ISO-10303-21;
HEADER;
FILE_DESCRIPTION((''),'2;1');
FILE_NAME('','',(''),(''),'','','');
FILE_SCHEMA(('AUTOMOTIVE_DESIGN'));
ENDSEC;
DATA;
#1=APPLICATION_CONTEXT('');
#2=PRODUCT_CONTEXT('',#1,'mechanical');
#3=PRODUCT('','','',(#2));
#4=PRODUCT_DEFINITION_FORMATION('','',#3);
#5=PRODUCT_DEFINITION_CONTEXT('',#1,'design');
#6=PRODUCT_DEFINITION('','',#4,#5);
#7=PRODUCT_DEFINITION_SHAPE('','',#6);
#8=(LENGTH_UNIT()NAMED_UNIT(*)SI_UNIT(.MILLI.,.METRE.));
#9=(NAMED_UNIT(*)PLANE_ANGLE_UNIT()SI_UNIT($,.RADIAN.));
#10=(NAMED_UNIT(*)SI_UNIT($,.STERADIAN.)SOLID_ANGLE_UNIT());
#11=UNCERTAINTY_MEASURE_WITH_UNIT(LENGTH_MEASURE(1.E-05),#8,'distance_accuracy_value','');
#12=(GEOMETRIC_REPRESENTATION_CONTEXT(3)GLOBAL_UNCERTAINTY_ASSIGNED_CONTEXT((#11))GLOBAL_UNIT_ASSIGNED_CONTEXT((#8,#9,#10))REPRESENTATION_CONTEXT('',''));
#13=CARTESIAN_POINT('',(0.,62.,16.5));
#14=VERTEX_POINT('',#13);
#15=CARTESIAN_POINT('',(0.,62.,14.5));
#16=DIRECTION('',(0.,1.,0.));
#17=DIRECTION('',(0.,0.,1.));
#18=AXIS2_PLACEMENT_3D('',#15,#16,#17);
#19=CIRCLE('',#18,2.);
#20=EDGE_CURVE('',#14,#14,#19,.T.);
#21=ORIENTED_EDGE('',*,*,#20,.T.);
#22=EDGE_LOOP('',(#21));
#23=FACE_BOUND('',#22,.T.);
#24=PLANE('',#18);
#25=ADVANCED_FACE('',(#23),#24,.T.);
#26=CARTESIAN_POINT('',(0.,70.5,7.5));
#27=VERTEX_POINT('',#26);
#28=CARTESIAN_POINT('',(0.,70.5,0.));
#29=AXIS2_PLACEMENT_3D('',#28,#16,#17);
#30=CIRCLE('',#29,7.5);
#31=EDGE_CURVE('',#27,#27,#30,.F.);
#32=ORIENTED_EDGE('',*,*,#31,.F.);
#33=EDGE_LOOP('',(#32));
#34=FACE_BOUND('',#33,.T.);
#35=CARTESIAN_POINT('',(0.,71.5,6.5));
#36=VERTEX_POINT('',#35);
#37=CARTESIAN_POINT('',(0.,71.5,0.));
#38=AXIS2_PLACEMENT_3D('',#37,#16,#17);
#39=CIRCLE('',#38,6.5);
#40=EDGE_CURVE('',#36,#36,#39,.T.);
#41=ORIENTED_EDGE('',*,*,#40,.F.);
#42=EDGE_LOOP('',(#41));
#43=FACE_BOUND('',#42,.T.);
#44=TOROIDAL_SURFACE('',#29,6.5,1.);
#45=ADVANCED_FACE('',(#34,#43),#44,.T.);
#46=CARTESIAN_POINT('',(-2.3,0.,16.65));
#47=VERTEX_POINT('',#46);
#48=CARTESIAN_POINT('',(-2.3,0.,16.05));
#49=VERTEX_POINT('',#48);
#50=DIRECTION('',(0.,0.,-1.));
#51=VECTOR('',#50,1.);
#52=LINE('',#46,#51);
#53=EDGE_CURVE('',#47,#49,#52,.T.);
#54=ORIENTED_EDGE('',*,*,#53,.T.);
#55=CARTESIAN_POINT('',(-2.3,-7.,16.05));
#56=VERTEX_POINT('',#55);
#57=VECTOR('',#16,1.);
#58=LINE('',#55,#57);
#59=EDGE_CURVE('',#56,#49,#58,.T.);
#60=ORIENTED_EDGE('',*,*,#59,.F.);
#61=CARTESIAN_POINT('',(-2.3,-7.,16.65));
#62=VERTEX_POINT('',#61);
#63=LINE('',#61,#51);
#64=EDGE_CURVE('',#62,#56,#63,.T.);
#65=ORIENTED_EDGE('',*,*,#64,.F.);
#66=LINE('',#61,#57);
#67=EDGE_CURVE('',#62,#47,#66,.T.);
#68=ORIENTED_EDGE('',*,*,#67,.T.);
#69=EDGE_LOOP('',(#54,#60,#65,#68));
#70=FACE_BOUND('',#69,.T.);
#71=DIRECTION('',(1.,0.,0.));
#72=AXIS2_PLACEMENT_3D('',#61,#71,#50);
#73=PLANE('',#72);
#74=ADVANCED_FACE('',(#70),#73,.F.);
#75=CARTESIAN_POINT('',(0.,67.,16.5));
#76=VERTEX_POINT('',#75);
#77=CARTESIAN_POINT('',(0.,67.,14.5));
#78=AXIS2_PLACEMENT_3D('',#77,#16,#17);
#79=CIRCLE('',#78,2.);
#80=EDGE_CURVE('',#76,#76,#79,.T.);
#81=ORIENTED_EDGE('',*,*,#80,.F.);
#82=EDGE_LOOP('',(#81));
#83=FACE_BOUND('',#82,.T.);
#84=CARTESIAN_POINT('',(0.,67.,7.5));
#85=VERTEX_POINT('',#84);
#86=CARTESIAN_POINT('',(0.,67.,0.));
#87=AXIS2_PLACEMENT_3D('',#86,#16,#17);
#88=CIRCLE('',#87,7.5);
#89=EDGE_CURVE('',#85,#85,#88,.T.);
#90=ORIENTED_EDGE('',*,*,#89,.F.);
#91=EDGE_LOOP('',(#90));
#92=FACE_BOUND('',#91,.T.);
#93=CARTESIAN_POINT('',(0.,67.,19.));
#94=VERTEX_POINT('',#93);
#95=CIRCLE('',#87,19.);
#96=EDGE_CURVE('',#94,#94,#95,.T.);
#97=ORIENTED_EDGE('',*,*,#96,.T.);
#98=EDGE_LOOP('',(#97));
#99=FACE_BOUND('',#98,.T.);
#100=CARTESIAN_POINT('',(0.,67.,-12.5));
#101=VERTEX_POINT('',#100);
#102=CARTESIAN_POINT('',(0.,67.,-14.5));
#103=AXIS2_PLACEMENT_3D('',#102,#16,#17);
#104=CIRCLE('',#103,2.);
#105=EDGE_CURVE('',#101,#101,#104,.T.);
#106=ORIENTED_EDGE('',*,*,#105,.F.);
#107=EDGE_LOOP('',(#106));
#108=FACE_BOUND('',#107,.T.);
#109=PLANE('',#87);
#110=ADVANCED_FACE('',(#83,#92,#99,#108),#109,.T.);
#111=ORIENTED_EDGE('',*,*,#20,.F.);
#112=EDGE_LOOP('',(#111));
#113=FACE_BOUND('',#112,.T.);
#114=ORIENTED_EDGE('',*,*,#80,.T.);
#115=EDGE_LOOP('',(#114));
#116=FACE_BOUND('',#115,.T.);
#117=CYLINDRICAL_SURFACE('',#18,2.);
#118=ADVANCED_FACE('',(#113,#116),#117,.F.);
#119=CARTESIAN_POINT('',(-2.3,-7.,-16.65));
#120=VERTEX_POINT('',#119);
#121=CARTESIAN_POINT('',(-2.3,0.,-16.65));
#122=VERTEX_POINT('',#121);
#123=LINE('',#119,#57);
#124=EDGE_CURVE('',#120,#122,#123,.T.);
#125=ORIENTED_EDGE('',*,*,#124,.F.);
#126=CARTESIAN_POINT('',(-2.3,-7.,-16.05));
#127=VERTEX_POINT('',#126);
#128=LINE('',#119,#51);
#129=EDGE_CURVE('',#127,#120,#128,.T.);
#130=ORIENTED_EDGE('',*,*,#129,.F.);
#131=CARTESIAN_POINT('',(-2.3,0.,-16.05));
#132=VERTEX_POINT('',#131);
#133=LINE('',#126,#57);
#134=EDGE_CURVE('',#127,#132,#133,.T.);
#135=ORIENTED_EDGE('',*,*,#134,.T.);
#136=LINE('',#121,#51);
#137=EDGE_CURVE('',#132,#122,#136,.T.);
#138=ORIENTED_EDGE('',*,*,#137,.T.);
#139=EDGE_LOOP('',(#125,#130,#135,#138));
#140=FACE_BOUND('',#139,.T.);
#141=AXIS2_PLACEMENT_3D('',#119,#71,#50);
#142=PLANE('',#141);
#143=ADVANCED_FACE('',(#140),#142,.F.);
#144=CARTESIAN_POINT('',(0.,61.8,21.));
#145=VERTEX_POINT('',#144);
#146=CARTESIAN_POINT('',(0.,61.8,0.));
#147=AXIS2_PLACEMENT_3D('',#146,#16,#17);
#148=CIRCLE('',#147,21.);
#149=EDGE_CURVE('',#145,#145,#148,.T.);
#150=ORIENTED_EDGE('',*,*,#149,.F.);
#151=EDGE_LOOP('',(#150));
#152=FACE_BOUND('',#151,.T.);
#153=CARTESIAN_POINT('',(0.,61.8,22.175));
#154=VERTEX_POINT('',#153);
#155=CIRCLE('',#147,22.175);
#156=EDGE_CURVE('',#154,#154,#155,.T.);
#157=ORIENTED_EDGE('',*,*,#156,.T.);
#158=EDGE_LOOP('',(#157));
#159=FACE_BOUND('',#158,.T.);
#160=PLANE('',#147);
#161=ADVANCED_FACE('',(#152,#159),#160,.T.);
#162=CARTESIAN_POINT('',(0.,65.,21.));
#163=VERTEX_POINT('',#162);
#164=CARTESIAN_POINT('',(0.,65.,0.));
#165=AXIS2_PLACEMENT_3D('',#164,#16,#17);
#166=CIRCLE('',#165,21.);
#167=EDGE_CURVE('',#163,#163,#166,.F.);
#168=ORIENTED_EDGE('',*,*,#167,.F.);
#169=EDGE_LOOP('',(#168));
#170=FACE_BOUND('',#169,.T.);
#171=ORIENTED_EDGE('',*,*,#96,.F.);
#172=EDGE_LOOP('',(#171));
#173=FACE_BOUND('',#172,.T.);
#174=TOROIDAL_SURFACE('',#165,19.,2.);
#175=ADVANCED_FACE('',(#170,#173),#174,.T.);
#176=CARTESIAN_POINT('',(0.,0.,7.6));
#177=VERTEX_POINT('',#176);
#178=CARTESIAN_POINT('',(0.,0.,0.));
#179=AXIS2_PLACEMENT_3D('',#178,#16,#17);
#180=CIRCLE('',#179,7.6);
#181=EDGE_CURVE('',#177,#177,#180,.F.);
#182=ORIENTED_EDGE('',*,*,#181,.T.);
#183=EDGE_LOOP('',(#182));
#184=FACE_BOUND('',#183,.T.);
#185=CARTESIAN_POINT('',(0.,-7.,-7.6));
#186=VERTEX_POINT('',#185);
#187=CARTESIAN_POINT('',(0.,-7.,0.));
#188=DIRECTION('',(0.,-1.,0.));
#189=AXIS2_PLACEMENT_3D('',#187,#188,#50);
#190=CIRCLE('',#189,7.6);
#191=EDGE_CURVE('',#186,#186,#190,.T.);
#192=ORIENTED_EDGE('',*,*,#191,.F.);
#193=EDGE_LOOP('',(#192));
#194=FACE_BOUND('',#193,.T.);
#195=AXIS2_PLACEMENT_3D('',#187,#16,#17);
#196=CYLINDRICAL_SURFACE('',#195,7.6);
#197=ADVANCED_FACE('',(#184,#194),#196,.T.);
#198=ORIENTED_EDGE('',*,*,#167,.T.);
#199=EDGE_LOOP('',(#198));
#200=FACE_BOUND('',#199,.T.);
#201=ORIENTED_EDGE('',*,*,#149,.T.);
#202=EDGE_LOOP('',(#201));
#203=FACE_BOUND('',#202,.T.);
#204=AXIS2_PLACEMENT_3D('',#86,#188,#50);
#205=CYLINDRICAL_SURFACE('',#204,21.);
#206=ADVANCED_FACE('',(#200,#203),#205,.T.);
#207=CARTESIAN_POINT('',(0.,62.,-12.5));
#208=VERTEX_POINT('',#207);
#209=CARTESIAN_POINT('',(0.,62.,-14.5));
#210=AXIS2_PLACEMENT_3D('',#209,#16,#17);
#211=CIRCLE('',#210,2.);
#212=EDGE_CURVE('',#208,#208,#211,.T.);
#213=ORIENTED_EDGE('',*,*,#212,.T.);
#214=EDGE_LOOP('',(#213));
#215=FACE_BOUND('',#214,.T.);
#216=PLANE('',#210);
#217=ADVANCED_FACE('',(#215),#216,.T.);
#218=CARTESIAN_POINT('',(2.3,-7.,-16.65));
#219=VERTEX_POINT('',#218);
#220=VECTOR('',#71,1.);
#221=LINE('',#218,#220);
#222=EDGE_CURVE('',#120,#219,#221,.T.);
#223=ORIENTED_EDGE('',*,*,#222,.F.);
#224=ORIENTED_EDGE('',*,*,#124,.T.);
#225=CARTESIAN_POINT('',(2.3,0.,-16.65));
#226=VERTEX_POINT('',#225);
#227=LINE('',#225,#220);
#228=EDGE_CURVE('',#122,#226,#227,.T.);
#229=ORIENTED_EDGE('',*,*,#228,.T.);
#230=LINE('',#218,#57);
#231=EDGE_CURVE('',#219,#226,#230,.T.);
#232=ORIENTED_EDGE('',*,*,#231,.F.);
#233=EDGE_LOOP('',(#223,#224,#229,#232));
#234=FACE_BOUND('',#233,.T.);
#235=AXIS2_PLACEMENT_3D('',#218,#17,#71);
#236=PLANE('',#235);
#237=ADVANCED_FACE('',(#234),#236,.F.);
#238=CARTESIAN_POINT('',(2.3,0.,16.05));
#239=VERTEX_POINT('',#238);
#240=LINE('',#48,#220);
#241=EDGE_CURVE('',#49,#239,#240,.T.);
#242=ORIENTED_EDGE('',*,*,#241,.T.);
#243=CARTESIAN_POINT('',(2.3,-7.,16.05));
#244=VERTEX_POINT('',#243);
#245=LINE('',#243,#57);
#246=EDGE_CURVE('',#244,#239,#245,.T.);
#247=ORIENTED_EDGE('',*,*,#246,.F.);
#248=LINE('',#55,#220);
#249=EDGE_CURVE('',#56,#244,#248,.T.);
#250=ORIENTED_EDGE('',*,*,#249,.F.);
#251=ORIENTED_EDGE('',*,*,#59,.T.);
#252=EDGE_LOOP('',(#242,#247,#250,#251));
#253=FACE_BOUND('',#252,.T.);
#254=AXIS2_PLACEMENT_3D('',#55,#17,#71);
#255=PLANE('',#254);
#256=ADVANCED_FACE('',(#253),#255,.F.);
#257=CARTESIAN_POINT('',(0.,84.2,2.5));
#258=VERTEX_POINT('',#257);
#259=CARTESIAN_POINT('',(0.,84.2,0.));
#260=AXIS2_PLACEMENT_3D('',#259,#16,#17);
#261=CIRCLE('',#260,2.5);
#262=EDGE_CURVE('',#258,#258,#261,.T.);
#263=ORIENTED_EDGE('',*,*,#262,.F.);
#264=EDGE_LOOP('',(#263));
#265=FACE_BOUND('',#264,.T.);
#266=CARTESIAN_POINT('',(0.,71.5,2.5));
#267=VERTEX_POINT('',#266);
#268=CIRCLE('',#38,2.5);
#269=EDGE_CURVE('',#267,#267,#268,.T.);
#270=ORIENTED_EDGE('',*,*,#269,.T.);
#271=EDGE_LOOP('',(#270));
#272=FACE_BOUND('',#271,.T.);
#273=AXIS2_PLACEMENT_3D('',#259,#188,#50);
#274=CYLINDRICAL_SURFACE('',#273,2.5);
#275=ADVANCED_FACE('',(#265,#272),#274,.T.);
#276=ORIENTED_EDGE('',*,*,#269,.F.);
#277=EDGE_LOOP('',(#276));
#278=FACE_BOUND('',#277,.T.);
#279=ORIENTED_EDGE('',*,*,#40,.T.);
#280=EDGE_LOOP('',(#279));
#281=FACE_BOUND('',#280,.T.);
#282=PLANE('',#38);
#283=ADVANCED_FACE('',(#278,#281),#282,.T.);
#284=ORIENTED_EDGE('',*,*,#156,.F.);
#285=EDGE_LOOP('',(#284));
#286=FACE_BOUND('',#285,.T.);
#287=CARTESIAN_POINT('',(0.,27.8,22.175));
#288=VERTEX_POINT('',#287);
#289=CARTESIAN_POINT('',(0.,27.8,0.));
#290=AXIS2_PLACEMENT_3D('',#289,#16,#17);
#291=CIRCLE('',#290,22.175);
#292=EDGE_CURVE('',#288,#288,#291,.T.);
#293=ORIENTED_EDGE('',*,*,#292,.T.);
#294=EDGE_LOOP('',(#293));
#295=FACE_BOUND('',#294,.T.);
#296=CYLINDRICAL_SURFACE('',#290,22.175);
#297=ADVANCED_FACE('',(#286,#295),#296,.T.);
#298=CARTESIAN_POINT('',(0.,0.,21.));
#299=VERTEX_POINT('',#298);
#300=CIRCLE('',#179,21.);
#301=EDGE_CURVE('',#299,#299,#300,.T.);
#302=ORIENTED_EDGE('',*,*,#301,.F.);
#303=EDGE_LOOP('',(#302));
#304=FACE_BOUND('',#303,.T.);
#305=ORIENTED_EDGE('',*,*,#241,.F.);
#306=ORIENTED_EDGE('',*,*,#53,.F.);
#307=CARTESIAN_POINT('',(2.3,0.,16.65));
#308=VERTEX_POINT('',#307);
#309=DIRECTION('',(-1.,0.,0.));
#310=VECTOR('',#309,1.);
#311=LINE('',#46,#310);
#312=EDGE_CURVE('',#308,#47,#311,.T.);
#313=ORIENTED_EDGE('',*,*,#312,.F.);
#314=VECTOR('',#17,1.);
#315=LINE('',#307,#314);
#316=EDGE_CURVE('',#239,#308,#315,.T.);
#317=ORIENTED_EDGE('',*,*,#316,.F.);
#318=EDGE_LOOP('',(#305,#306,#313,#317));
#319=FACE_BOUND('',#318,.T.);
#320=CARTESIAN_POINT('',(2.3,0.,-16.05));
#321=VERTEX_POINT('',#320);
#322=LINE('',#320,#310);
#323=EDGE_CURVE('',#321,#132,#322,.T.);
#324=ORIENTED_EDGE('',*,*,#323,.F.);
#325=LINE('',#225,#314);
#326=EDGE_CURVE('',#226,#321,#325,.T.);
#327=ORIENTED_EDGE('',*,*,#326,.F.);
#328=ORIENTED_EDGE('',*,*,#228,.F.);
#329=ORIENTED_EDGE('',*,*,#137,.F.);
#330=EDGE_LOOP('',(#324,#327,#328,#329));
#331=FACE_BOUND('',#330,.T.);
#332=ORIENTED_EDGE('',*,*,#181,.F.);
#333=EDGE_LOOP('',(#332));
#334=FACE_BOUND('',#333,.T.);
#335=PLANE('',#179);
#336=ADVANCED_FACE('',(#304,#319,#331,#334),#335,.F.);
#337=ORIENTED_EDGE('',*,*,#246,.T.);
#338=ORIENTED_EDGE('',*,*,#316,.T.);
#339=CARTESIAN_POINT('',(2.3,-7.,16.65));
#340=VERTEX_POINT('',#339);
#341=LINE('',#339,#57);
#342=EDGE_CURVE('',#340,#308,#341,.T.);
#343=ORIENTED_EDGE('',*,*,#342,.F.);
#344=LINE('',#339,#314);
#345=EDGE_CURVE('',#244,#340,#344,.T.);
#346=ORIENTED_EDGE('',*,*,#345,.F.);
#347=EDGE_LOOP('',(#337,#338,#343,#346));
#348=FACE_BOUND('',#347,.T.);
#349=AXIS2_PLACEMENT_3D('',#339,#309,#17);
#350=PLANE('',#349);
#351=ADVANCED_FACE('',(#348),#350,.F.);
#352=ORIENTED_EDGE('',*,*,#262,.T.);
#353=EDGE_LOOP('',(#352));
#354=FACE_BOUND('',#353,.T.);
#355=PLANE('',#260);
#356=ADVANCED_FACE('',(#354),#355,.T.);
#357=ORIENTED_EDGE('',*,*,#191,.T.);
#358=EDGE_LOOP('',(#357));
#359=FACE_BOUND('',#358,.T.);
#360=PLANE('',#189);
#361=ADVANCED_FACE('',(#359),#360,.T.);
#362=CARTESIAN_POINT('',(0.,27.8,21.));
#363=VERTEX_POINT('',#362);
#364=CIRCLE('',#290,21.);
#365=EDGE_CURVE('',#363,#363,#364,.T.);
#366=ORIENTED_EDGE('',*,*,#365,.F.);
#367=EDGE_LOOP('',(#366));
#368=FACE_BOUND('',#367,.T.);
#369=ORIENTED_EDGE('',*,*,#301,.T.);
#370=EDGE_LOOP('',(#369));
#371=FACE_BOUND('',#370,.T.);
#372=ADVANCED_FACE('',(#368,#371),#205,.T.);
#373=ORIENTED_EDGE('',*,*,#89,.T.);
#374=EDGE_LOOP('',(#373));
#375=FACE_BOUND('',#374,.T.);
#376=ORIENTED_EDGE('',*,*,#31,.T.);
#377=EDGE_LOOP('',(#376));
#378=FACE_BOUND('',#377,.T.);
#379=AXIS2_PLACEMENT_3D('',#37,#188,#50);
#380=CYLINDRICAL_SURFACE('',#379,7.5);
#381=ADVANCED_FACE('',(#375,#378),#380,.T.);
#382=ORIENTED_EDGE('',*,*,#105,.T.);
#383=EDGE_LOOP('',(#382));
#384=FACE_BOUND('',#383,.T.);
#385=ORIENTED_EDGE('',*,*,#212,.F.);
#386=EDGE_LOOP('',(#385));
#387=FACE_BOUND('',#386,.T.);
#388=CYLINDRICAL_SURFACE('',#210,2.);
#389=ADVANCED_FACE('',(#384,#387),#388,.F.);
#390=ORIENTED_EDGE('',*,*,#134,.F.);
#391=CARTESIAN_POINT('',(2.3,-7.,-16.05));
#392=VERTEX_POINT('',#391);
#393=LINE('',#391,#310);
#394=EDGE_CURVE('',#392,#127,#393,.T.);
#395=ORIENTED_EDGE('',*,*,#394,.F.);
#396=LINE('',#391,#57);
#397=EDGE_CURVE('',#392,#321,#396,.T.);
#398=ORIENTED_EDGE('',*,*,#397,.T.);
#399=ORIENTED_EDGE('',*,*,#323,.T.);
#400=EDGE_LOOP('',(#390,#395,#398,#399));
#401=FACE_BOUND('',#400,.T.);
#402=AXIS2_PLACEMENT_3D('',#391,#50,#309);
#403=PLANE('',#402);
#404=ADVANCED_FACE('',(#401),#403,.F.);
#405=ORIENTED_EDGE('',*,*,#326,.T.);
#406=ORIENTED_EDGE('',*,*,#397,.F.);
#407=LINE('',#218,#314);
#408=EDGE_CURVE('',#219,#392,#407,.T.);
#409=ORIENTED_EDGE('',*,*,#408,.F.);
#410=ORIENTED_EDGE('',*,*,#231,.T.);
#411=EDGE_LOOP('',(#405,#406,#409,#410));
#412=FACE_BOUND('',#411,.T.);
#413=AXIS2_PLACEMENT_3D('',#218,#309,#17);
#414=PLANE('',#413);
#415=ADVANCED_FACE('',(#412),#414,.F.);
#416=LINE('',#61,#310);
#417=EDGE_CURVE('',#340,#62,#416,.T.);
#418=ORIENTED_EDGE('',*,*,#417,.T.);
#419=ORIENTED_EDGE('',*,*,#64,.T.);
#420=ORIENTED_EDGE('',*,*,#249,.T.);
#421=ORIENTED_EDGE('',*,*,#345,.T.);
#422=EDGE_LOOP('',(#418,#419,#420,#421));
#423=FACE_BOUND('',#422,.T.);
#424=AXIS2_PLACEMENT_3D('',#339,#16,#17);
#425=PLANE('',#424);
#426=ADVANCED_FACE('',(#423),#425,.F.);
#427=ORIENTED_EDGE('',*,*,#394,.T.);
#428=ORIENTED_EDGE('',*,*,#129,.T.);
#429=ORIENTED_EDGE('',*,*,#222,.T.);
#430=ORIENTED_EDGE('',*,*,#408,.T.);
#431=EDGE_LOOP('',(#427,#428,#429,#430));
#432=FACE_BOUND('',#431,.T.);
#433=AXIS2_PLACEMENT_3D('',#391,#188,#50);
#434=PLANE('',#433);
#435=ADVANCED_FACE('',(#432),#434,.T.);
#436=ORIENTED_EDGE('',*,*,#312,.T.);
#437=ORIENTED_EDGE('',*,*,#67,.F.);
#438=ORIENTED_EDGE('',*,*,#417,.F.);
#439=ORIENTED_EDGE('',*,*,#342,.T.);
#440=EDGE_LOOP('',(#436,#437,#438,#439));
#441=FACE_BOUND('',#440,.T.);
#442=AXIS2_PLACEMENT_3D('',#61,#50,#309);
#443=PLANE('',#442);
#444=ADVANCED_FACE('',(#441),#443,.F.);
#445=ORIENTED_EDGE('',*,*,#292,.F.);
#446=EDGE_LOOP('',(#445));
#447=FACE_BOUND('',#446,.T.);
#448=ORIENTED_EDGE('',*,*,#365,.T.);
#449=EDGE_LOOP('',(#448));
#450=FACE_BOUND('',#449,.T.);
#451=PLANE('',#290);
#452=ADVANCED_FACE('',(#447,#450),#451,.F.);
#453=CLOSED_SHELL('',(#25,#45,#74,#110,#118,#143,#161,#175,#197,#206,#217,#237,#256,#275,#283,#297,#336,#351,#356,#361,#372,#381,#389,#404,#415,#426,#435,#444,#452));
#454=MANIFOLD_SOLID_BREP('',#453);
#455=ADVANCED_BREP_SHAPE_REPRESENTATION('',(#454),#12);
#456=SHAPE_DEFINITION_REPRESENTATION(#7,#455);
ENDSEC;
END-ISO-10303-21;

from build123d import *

# Parameters (mm, degrees)
SKETCH_1_R          = 21
EXTRUDE_1_DEPTH     = 67
SKETCH_3_R          = 7.5
EXTRUDE_3_DEPTH     = 4.5
SKETCH_4_R          = 2.5
EXTRUDE_4_DEPTH     = 12.7
FILLET_1_R          = 2
FILLET_2_R          = 1
SKETCH_15_R         = 2
CUT_EXTRUDE_2_DEPTH = 5
SKETCH_18_W         = 4.6
SKETCH_18_H         = 0.6
EXTRUDE_11_DEPTH    = 7
SKETCH_19_R         = 7.6
EXTRUDE_12_DEPTH    = 7
EXTRUDE_START       = -39.2
SKETCH_20_R         = 22.175
SKETCH_20_R_2       = 21
EXTRUDE_13_DEPTH    = 34


with BuildPart() as part:
    # 스케치1 → 보스-돌출1 (new body)
    with BuildSketch(Plane(origin=(0, 0, 0), x_dir=(1, 0, 0), z_dir=(0, 1, 0))):
        with Locations(Location((0, 0, 0), (0, 0, 270))):
            Circle(SKETCH_1_R)
    extrude(amount=EXTRUDE_1_DEPTH)

    # 스케치3 → 보스-돌출3 (add)
    with BuildSketch(Plane(origin=(0, 67, 0), x_dir=(1, 0, 0), z_dir=(0, 1, 0))):
        with Locations(Location((0, 0, 0), (0, 0, 270))):
            Circle(SKETCH_3_R)
    extrude(amount=EXTRUDE_3_DEPTH)

    # 스케치4 → 보스-돌출4 (add)
    with BuildSketch(Plane(origin=(0, 71.5, 0), x_dir=(1, 0, 0), z_dir=(0, 1, 0))):
        with Locations(Location((0, 0, 0), (0, 0, 270))):
            Circle(SKETCH_4_R)
    extrude(amount=EXTRUDE_4_DEPTH)

    # 필렛1
    fillet_1_edges = [part.edges().sort_by_distance(p)[0] for p in [
        (0, 67, -21),
    ]]
    fillet(fillet_1_edges, radius=FILLET_1_R)

    # 필렛2
    fillet_2_edges = [part.edges().sort_by_distance(p)[0] for p in [
        (0, 71.5, -7.5),
    ]]
    fillet(fillet_2_edges, radius=FILLET_2_R)

    # 스케치15 → 컷-돌출2 (cut)
    with BuildSketch(Plane(origin=(0, 67, 0), x_dir=(1, 0, 0), z_dir=(0, 1, 0))):
        with Locations(Location((0, 14.5, 0), (0, 0, 270))):
            Circle(SKETCH_15_R)
        with Locations(Location((0, -14.5, 0), (0, 0, 270))):
            Circle(SKETCH_15_R)
    extrude(amount=-CUT_EXTRUDE_2_DEPTH, mode=Mode.SUBTRACT)

    # 스케치18 → 보스-돌출11 (add)
    with BuildSketch(Plane.XZ):
        with Locations((0, 16.35)):
            Rectangle(SKETCH_18_W, SKETCH_18_H)
        with Locations((0, -16.35)):
            Rectangle(SKETCH_18_W, SKETCH_18_H)
    extrude(amount=EXTRUDE_11_DEPTH)

    # 스케치19 → 보스-돌출12 (add)
    with BuildSketch(Plane.XZ):
        with Locations(Location((0, 0, 0), (0, 0, 90))):
            Circle(SKETCH_19_R)
    extrude(amount=EXTRUDE_12_DEPTH)

    # 스케치20 → 보스-돌출13 (add)
    with BuildSketch(Plane(origin=(0, 67, 0), x_dir=(1, 0, 0), z_dir=(0, 1, 0)).offset(EXTRUDE_START)):
        with Locations(Location((0, 0, 0), (0, 0, 270))):
            Circle(SKETCH_20_R)
        with Locations(Location((0, 0, 0), (0, 0, 270))):
            Circle(SKETCH_20_R_2, mode=Mode.SUBTRACT)
    extrude(amount=EXTRUDE_13_DEPTH)


solid = part.part
